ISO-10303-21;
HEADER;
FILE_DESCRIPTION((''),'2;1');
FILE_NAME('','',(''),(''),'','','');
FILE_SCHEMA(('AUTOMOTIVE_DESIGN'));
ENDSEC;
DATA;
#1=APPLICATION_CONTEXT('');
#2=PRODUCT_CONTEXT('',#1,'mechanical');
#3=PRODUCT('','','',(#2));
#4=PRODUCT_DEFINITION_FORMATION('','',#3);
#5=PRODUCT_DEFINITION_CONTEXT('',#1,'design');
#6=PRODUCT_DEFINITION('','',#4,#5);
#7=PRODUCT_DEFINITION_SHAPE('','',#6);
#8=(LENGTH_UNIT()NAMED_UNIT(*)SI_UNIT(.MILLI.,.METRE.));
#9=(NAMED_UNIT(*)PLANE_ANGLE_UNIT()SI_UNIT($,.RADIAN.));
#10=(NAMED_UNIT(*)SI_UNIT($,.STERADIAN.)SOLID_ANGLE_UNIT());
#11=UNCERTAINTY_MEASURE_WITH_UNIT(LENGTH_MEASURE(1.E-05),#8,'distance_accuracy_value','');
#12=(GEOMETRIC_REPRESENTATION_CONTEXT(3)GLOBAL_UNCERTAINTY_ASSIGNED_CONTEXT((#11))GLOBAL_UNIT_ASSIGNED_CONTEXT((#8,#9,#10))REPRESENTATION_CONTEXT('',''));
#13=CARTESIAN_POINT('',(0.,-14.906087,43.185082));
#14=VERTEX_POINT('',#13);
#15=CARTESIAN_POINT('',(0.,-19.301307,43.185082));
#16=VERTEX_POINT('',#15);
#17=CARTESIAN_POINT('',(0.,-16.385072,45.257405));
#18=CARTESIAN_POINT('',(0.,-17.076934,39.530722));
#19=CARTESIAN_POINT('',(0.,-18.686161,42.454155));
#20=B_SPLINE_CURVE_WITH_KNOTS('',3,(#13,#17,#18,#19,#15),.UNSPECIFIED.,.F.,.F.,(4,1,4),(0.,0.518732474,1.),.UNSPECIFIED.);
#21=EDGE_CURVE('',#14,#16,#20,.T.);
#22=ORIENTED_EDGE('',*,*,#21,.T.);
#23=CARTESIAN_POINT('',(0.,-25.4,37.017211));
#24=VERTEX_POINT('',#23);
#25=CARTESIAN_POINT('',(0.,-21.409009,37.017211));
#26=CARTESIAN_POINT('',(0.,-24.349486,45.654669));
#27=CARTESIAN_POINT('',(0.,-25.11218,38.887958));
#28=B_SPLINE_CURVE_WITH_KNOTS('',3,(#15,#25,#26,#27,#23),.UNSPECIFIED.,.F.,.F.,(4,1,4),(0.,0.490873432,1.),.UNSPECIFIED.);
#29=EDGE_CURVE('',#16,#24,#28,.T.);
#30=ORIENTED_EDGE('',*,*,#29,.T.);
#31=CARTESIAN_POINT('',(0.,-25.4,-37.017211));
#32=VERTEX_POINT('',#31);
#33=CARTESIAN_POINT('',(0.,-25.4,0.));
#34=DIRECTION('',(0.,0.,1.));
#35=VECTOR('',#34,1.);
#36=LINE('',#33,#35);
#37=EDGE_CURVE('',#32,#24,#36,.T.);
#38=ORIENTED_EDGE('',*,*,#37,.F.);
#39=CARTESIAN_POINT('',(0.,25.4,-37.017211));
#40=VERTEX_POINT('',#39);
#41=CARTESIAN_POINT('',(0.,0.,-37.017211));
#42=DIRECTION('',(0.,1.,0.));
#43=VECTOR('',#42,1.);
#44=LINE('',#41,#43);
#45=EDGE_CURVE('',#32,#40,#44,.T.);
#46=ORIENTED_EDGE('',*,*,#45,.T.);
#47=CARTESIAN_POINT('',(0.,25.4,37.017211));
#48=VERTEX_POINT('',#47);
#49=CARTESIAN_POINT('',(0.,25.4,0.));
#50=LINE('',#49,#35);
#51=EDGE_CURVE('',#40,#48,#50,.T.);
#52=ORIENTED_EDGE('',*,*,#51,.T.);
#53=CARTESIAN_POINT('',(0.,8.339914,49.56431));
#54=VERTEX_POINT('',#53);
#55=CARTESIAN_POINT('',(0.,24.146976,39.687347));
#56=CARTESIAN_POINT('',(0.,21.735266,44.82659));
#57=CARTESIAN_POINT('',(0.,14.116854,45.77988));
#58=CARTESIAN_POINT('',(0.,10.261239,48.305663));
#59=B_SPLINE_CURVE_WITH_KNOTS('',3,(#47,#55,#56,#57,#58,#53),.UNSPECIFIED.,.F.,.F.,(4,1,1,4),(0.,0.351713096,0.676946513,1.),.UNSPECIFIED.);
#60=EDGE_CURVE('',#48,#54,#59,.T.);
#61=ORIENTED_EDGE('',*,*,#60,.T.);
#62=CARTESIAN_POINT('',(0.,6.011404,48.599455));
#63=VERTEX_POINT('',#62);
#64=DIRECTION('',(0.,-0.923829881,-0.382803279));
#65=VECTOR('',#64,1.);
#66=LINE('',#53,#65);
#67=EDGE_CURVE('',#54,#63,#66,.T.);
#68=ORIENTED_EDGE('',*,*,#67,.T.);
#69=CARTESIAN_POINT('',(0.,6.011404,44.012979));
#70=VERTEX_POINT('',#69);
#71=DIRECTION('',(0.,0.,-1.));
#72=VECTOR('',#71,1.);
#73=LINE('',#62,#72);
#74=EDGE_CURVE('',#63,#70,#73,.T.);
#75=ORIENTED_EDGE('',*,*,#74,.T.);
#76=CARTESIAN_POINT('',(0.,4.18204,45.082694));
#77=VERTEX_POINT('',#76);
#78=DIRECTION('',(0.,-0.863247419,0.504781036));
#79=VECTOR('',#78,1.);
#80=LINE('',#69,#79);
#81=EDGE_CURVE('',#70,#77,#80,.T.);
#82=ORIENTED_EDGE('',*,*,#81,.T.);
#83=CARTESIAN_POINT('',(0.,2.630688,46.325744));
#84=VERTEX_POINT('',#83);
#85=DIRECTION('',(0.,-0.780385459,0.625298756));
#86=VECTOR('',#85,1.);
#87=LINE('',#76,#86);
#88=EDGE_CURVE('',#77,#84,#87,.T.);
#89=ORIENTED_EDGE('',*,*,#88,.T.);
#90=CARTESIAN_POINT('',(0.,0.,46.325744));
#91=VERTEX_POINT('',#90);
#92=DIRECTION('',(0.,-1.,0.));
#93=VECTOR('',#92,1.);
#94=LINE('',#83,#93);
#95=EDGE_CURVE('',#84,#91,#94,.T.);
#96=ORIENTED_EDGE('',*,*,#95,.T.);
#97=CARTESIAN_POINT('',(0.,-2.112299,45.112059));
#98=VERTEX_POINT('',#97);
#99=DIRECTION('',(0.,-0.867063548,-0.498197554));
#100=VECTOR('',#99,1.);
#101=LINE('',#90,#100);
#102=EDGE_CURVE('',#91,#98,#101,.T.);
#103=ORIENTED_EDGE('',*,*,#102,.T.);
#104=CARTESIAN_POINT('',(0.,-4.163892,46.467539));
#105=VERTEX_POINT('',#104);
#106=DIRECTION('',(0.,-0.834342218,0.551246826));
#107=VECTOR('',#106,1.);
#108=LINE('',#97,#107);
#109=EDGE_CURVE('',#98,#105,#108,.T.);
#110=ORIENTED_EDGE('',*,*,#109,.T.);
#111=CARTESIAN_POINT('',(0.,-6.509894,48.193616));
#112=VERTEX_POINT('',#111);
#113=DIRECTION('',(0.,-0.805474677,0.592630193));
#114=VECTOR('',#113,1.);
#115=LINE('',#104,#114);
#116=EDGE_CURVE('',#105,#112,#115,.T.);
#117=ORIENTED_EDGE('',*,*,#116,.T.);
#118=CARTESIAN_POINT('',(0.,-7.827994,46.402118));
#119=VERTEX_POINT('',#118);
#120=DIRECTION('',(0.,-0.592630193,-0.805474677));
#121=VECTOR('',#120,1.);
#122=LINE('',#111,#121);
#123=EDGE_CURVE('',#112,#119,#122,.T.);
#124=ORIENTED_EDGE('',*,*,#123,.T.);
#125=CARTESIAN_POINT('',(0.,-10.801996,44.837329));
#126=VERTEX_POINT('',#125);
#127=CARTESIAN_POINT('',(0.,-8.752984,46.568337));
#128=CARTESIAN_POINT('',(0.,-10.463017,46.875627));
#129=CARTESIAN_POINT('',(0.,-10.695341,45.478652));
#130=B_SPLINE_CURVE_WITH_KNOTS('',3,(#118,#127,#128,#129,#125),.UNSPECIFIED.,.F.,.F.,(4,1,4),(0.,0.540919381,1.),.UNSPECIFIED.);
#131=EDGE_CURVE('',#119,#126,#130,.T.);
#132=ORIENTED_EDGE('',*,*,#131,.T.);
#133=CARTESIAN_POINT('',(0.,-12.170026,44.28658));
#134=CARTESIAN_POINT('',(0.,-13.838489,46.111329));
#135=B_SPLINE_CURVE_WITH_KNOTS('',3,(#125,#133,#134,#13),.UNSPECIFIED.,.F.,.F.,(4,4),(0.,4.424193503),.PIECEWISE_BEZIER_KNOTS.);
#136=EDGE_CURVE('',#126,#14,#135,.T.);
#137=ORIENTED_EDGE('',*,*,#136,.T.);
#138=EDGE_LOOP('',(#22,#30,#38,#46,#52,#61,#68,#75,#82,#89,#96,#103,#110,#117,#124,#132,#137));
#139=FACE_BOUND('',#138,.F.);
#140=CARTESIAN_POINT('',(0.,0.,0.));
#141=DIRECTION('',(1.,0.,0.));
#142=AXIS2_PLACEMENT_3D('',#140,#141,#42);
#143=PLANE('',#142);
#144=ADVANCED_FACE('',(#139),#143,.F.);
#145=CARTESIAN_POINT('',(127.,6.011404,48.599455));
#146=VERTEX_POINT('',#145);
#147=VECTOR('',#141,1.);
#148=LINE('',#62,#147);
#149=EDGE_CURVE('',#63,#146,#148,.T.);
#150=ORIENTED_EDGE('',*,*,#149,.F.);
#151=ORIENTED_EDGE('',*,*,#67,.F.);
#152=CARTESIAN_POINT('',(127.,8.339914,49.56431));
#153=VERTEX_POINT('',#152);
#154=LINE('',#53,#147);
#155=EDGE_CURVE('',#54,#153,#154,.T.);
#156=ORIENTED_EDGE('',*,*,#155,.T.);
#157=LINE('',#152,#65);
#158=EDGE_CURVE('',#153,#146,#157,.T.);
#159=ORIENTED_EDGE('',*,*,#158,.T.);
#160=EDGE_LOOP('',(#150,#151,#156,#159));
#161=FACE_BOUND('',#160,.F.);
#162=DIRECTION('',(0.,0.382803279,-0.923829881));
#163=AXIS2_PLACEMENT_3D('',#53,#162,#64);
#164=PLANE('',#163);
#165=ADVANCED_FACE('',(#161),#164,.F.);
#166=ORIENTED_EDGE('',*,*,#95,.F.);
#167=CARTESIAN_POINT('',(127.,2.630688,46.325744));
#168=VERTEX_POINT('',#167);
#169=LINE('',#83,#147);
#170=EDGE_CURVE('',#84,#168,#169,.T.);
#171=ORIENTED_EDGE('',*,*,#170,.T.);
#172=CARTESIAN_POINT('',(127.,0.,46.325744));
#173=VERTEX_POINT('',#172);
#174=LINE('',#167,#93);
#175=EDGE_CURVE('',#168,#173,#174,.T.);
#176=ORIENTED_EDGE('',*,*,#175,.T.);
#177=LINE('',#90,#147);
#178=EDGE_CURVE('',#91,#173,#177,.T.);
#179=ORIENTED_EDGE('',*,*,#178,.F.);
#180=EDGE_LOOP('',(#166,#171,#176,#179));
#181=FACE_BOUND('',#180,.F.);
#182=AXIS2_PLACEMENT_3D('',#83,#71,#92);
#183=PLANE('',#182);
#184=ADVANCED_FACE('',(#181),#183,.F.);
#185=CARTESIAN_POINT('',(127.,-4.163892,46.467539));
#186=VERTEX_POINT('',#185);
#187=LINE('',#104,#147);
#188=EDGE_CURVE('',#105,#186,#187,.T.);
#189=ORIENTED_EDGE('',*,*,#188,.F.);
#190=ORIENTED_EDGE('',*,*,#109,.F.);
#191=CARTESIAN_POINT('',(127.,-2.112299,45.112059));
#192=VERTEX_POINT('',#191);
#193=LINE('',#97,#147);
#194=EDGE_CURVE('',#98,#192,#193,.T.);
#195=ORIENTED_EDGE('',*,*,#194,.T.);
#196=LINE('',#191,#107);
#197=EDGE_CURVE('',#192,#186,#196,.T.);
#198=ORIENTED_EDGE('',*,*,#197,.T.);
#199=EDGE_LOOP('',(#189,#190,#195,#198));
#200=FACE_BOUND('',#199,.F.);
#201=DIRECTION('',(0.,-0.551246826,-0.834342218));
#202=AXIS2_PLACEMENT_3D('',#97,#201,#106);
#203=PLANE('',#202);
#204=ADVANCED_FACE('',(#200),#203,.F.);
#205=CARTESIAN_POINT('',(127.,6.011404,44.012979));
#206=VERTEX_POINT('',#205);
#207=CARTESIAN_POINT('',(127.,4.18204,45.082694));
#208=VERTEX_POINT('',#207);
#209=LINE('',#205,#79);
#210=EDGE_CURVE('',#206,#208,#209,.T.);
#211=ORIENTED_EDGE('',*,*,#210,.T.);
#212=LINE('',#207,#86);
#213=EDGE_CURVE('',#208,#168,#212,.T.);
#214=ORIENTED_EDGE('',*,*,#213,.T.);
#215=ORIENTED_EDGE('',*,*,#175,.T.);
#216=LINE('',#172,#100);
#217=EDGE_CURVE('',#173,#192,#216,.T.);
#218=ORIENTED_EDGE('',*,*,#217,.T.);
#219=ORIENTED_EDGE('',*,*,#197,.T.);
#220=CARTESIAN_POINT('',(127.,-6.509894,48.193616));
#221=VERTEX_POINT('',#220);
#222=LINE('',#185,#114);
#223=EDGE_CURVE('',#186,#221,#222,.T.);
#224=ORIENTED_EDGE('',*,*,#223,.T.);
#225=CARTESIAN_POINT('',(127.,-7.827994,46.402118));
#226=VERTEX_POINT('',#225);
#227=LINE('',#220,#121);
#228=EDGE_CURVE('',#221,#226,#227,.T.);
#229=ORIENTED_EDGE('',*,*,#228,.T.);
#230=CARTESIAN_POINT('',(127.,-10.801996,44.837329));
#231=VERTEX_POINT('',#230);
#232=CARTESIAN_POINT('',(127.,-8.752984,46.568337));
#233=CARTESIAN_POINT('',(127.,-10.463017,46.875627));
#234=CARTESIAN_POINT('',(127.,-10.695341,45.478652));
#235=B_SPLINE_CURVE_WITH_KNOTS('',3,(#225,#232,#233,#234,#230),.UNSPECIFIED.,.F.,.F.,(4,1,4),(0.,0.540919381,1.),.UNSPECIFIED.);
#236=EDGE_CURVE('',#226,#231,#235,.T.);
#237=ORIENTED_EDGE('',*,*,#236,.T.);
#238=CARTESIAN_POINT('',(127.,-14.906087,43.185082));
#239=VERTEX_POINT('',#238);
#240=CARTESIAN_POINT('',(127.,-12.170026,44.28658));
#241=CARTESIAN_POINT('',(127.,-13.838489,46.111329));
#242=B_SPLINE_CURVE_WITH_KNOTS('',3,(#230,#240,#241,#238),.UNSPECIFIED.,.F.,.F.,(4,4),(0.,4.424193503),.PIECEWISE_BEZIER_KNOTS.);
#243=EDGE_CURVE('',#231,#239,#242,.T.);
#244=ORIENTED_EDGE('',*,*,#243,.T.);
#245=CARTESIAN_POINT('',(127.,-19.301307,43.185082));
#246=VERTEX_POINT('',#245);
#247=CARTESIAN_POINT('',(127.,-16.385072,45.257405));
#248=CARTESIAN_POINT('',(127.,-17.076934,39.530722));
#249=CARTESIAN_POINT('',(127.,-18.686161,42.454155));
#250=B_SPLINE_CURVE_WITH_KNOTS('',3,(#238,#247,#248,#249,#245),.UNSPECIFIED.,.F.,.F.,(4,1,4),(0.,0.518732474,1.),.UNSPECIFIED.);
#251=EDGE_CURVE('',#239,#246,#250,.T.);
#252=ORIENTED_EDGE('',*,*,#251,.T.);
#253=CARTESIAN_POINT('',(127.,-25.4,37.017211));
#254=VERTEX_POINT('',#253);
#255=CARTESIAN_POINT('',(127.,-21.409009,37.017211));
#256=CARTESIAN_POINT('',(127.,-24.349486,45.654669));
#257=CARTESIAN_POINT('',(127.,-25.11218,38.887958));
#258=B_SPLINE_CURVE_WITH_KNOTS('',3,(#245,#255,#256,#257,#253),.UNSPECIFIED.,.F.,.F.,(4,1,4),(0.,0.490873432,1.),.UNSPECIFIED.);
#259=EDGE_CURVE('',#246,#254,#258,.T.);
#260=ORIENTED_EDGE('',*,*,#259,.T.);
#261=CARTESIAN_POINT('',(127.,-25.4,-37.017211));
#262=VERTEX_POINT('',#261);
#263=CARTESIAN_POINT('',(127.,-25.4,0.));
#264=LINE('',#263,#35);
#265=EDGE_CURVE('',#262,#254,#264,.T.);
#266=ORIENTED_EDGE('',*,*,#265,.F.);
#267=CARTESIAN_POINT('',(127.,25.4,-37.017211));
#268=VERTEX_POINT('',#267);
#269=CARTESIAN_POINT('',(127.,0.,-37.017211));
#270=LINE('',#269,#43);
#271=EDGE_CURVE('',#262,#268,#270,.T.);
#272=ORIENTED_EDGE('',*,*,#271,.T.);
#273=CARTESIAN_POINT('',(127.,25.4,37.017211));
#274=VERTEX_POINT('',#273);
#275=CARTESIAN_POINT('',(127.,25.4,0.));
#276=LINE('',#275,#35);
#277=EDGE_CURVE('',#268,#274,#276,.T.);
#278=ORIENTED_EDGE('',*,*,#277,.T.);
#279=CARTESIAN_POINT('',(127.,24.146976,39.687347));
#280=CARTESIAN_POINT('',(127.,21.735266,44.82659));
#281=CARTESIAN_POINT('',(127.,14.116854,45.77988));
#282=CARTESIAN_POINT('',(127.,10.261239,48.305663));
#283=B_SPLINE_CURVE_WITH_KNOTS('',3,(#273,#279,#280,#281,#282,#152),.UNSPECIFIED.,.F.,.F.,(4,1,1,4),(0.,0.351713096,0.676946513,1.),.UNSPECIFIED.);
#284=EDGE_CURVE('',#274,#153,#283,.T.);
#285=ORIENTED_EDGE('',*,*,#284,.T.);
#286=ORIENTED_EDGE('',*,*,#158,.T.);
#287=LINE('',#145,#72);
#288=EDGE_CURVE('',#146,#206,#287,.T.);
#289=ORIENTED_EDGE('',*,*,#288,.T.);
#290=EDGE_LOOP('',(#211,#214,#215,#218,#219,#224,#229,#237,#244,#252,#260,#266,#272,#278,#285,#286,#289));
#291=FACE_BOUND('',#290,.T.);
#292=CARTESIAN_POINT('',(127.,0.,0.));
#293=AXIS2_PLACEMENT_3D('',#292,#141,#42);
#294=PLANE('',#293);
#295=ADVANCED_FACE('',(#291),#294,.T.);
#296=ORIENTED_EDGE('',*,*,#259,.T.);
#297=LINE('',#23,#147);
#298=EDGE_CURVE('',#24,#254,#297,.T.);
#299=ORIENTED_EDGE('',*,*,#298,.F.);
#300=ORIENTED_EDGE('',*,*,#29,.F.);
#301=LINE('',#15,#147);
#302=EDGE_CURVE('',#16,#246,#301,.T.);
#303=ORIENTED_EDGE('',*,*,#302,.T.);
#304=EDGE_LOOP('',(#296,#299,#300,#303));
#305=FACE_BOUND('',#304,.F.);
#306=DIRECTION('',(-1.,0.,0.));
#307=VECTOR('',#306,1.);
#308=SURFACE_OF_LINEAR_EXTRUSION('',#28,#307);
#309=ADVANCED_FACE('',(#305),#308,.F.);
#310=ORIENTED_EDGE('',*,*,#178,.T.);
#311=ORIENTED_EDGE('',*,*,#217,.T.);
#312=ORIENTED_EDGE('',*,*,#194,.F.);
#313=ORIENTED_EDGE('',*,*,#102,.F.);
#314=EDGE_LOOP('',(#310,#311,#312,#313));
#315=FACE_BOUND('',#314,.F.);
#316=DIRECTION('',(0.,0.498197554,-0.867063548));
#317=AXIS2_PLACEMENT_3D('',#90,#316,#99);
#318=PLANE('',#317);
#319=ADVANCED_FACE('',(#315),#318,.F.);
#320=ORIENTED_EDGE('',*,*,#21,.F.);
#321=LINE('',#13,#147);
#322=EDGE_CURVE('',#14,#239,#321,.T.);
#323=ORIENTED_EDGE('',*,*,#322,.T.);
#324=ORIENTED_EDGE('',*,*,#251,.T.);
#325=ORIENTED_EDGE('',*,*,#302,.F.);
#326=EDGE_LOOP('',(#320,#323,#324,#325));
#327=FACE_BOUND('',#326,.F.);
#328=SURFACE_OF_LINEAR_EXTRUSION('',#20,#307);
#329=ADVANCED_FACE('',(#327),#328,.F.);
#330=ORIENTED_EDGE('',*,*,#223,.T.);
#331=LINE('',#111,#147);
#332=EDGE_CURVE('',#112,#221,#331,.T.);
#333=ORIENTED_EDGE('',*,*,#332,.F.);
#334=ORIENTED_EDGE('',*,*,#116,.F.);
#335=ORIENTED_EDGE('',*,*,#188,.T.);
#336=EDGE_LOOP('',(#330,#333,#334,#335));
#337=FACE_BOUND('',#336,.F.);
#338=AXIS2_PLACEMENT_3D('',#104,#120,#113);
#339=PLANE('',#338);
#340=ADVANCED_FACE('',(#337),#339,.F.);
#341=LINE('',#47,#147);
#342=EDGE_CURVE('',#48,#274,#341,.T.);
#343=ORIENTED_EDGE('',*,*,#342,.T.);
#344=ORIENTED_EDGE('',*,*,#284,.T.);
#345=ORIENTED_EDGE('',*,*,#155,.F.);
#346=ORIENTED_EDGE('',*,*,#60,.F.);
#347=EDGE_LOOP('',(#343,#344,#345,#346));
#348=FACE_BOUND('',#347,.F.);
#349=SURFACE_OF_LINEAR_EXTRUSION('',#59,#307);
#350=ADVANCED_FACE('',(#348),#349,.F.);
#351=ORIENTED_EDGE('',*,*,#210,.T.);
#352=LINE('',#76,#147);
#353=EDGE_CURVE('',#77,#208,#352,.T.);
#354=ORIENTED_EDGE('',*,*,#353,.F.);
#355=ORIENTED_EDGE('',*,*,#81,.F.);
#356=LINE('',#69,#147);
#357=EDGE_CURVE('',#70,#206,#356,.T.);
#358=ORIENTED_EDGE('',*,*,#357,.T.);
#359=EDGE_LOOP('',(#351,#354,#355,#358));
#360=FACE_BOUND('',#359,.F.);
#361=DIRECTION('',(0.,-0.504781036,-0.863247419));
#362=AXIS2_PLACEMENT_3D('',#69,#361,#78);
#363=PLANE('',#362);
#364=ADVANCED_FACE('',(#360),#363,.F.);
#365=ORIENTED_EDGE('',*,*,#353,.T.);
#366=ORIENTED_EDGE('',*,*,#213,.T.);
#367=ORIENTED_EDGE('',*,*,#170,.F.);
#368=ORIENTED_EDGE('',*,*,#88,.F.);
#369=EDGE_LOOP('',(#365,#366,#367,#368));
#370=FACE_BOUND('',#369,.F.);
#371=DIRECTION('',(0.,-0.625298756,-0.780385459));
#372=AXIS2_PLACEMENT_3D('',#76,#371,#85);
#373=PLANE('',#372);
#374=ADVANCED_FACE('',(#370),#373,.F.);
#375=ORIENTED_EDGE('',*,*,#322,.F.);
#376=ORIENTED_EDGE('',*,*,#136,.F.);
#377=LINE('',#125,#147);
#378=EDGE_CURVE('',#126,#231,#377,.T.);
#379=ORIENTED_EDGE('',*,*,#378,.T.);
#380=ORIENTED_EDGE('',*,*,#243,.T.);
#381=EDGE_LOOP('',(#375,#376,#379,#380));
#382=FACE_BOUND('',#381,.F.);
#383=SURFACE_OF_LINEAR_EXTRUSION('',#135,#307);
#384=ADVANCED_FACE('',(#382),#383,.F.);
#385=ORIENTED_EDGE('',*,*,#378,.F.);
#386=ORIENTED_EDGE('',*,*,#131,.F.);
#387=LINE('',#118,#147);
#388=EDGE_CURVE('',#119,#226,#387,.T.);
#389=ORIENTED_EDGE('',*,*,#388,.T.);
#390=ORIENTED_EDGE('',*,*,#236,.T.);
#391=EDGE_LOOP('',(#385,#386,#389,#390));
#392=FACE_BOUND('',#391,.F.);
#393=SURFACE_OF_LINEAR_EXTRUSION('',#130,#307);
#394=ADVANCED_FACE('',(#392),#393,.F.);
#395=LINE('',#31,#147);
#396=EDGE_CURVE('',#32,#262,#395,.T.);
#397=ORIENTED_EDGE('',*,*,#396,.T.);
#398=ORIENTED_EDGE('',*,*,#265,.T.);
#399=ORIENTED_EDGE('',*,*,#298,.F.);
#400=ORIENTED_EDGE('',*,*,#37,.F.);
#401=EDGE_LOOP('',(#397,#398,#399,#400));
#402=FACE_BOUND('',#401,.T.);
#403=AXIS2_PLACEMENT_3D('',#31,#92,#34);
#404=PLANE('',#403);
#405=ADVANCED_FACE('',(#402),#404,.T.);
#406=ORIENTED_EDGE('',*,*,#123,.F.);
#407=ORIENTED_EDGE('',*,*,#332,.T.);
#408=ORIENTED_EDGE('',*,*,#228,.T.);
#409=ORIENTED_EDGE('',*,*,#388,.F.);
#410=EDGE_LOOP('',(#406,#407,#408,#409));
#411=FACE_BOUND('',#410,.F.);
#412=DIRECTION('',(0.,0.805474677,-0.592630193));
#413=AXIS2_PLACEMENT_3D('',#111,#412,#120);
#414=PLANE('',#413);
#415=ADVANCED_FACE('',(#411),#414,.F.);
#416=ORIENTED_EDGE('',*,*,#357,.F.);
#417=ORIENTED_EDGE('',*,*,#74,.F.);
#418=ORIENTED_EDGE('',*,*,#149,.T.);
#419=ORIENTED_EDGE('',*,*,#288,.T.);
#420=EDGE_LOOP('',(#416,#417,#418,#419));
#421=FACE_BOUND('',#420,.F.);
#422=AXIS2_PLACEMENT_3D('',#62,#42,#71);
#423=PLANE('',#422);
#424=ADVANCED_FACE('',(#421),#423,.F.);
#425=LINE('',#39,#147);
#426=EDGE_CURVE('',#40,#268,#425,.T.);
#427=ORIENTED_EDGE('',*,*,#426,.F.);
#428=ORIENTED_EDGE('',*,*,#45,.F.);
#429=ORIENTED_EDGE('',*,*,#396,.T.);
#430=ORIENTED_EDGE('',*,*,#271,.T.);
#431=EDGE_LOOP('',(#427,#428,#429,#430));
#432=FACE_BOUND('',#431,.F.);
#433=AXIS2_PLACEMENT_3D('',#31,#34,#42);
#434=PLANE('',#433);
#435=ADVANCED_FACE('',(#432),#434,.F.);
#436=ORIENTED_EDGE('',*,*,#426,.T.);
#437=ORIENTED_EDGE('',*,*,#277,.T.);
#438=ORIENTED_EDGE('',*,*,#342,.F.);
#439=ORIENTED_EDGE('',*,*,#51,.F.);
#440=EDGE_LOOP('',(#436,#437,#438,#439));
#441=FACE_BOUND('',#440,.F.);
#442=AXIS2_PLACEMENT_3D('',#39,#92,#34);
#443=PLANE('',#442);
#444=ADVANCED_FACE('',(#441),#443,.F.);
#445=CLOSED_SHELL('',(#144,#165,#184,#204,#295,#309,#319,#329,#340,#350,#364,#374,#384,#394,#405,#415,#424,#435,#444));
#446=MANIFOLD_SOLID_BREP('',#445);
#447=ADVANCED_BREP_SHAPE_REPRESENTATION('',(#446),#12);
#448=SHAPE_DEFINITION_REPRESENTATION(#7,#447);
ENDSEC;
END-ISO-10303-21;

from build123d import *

# Parameters (mm, degrees)
F0_W     = 50.8
F0_H     = 74.0344213812
F1_DEPTH = 127


with BuildPart() as f1:
    # F0 (on Right) → F1 (new body)
    with BuildSketch(Plane.YZ):
        Rectangle(F0_W, F0_H)
        with BuildLine():
            add(Edge.make_bspline(
                [(-19.3013066672, 43.1850821753), (-21.4090093279, 37.0172106906), (-24.3494860832, 45.6546692341), (-25.1121798288, 38.8879577986), (-25.4, 37.0172106906)],
                knots=[0, 0, 0, 0, 0.4908734324, 1, 1, 1, 1], degree=3))
            Line((-25.4, 37.0172106906), (25.4, 37.0172106906))
            add(Edge.make_bspline(
                [(25.4, 37.0172106906), (24.1469761984, 39.6873465113), (21.7352660584, 44.826589891), (14.1168536342, 45.7798795442), (10.2612386056, 48.3056625144), (8.3399138743, 49.5643096612)],
                knots=[0, 0, 0, 0, 0.3517130955, 0.6769465126, 1, 1, 1, 1], degree=3))
            Line((8.3399138743, 49.5643096612), (6.0114039641, 48.5994553662))
            Line((6.0114039641, 48.5994553662), (6.0114039641, 44.0129793506))
            Line((6.0114039641, 44.0129793506), (4.1820400831, 45.0826937511))
            Line((4.1820400831, 45.0826937511), (2.6306878551, 46.3257443578))
            Line((2.6306878551, 46.3257443578), (0, 46.3257443578))
            Line((0, 46.3257443578), (-2.1122993728, 45.1120589437))
            Line((-2.1122993728, 45.1120589437), (-4.1638919483, 46.4675385911))
            Line((-4.1638919483, 46.4675385911), (-6.5098943509, 48.1936162641))
            Line((-6.5098943509, 48.1936162641), (-7.8279942041, 46.4021178449))
            add(Edge.make_bspline(
                [(-7.8279942041, 46.4021178449), (-8.7529842011, 46.5683367476), (-10.4630172673, 46.8756269086), (-10.6953405167, 45.4786521496), (-10.8019958113, 44.8373293562)],
                knots=[0, 0, 0, 0, 0.5409193814, 1, 1, 1, 1], degree=3))
            add(Edge.make_bspline(
                [(-10.8019958113, 44.8373293562), (-12.170026328, 44.2865802372), (-13.8384892691, 46.1113293065), (-14.9060873555, 43.1850821753)],
                knots=[0, 0, 0, 0, 4.4241935027, 4.4241935027, 4.4241935027, 4.4241935027], degree=3))
            add(Edge.make_bspline(
                [(-14.9060873555, 43.1850821753), (-16.3850719337, 45.2574046367), (-17.0769340129, 39.5307223475), (-18.6861609787, 42.4541546369), (-19.3013066672, 43.1850821753)],
                knots=[0, 0, 0, 0, 0.5187324743, 1, 1, 1, 1], degree=3))
        make_face()
    extrude(amount=F1_DEPTH)


solid = f1.part
